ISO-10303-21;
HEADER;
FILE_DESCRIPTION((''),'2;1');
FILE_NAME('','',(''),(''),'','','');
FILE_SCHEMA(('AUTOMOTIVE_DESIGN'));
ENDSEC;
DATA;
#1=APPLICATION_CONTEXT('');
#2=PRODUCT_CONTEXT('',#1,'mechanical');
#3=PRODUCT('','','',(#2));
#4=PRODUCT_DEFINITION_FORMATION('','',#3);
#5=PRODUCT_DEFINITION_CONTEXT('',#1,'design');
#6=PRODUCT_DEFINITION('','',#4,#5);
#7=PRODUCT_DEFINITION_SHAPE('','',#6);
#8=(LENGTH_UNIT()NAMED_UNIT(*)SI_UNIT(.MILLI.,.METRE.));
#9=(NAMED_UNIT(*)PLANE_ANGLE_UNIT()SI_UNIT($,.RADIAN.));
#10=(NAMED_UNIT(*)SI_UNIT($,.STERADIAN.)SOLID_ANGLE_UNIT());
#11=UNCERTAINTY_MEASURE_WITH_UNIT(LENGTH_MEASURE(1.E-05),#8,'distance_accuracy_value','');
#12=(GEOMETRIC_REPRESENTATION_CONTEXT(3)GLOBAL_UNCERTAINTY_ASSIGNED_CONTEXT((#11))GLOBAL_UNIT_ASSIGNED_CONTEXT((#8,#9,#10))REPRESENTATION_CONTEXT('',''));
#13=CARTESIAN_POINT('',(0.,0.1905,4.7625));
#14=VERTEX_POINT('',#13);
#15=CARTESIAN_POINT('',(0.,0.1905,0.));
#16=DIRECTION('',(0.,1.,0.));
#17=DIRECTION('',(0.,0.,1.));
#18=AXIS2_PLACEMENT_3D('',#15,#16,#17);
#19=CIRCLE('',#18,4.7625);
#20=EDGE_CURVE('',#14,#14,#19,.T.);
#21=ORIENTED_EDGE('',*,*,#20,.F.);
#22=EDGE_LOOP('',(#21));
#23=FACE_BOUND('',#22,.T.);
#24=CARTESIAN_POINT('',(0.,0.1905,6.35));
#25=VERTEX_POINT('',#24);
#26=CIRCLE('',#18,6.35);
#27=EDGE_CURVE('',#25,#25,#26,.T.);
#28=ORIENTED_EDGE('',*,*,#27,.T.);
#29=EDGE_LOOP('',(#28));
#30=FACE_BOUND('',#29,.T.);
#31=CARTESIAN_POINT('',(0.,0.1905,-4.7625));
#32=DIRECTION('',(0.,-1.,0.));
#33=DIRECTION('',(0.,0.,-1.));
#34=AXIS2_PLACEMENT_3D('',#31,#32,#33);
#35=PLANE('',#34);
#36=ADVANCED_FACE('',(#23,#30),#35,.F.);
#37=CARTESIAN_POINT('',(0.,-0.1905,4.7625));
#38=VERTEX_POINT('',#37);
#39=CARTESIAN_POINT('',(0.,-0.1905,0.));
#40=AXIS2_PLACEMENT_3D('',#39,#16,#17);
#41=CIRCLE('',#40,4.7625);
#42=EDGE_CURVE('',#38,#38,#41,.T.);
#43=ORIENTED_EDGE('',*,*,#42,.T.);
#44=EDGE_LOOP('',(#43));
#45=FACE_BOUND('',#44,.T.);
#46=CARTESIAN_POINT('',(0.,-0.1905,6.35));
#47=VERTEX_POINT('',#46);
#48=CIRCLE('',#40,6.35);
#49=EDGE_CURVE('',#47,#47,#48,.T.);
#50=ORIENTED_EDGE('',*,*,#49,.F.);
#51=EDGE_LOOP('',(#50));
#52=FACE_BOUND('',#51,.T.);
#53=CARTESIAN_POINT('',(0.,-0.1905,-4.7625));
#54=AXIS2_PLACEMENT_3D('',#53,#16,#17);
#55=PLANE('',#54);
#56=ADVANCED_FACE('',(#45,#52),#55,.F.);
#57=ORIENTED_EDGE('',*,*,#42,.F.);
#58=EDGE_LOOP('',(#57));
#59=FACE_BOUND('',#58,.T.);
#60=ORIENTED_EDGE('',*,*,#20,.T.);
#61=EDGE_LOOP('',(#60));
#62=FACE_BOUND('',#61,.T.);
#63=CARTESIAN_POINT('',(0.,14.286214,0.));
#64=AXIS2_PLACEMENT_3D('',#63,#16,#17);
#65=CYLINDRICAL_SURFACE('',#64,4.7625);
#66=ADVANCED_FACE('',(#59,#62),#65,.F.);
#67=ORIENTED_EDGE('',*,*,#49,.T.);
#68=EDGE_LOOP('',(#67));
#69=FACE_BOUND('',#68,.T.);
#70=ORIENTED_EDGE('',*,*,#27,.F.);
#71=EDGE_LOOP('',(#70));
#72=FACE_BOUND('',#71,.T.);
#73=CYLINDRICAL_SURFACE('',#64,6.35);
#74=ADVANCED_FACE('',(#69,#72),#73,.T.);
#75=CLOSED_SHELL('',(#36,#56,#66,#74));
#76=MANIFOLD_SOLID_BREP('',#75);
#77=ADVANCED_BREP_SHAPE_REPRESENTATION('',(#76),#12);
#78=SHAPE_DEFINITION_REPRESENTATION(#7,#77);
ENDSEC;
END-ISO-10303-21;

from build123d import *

# Parameters (mm, degrees)
SKETCH1_W = 1.5875
SKETCH1_H = 0.381


with BuildPart() as part:
    # Sketch1 → Revolve1 (revolve)
    with BuildSketch(Plane(origin=(0, 0, 0), x_dir=(0, 0, -1), z_dir=(1, 0, 0)), mode=Mode.PRIVATE) as revolve1_sk:
        with Locations((5.55625, 0)):
            Rectangle(SKETCH1_W, SKETCH1_H)
    revolve(revolve1_sk.sketch.rotate(Axis((0, 14.286213682, 0), (0, -1, 0)), 180), axis=Axis((0, 14.286213682, 0), (0, -1, 0)))


solid = part.part
